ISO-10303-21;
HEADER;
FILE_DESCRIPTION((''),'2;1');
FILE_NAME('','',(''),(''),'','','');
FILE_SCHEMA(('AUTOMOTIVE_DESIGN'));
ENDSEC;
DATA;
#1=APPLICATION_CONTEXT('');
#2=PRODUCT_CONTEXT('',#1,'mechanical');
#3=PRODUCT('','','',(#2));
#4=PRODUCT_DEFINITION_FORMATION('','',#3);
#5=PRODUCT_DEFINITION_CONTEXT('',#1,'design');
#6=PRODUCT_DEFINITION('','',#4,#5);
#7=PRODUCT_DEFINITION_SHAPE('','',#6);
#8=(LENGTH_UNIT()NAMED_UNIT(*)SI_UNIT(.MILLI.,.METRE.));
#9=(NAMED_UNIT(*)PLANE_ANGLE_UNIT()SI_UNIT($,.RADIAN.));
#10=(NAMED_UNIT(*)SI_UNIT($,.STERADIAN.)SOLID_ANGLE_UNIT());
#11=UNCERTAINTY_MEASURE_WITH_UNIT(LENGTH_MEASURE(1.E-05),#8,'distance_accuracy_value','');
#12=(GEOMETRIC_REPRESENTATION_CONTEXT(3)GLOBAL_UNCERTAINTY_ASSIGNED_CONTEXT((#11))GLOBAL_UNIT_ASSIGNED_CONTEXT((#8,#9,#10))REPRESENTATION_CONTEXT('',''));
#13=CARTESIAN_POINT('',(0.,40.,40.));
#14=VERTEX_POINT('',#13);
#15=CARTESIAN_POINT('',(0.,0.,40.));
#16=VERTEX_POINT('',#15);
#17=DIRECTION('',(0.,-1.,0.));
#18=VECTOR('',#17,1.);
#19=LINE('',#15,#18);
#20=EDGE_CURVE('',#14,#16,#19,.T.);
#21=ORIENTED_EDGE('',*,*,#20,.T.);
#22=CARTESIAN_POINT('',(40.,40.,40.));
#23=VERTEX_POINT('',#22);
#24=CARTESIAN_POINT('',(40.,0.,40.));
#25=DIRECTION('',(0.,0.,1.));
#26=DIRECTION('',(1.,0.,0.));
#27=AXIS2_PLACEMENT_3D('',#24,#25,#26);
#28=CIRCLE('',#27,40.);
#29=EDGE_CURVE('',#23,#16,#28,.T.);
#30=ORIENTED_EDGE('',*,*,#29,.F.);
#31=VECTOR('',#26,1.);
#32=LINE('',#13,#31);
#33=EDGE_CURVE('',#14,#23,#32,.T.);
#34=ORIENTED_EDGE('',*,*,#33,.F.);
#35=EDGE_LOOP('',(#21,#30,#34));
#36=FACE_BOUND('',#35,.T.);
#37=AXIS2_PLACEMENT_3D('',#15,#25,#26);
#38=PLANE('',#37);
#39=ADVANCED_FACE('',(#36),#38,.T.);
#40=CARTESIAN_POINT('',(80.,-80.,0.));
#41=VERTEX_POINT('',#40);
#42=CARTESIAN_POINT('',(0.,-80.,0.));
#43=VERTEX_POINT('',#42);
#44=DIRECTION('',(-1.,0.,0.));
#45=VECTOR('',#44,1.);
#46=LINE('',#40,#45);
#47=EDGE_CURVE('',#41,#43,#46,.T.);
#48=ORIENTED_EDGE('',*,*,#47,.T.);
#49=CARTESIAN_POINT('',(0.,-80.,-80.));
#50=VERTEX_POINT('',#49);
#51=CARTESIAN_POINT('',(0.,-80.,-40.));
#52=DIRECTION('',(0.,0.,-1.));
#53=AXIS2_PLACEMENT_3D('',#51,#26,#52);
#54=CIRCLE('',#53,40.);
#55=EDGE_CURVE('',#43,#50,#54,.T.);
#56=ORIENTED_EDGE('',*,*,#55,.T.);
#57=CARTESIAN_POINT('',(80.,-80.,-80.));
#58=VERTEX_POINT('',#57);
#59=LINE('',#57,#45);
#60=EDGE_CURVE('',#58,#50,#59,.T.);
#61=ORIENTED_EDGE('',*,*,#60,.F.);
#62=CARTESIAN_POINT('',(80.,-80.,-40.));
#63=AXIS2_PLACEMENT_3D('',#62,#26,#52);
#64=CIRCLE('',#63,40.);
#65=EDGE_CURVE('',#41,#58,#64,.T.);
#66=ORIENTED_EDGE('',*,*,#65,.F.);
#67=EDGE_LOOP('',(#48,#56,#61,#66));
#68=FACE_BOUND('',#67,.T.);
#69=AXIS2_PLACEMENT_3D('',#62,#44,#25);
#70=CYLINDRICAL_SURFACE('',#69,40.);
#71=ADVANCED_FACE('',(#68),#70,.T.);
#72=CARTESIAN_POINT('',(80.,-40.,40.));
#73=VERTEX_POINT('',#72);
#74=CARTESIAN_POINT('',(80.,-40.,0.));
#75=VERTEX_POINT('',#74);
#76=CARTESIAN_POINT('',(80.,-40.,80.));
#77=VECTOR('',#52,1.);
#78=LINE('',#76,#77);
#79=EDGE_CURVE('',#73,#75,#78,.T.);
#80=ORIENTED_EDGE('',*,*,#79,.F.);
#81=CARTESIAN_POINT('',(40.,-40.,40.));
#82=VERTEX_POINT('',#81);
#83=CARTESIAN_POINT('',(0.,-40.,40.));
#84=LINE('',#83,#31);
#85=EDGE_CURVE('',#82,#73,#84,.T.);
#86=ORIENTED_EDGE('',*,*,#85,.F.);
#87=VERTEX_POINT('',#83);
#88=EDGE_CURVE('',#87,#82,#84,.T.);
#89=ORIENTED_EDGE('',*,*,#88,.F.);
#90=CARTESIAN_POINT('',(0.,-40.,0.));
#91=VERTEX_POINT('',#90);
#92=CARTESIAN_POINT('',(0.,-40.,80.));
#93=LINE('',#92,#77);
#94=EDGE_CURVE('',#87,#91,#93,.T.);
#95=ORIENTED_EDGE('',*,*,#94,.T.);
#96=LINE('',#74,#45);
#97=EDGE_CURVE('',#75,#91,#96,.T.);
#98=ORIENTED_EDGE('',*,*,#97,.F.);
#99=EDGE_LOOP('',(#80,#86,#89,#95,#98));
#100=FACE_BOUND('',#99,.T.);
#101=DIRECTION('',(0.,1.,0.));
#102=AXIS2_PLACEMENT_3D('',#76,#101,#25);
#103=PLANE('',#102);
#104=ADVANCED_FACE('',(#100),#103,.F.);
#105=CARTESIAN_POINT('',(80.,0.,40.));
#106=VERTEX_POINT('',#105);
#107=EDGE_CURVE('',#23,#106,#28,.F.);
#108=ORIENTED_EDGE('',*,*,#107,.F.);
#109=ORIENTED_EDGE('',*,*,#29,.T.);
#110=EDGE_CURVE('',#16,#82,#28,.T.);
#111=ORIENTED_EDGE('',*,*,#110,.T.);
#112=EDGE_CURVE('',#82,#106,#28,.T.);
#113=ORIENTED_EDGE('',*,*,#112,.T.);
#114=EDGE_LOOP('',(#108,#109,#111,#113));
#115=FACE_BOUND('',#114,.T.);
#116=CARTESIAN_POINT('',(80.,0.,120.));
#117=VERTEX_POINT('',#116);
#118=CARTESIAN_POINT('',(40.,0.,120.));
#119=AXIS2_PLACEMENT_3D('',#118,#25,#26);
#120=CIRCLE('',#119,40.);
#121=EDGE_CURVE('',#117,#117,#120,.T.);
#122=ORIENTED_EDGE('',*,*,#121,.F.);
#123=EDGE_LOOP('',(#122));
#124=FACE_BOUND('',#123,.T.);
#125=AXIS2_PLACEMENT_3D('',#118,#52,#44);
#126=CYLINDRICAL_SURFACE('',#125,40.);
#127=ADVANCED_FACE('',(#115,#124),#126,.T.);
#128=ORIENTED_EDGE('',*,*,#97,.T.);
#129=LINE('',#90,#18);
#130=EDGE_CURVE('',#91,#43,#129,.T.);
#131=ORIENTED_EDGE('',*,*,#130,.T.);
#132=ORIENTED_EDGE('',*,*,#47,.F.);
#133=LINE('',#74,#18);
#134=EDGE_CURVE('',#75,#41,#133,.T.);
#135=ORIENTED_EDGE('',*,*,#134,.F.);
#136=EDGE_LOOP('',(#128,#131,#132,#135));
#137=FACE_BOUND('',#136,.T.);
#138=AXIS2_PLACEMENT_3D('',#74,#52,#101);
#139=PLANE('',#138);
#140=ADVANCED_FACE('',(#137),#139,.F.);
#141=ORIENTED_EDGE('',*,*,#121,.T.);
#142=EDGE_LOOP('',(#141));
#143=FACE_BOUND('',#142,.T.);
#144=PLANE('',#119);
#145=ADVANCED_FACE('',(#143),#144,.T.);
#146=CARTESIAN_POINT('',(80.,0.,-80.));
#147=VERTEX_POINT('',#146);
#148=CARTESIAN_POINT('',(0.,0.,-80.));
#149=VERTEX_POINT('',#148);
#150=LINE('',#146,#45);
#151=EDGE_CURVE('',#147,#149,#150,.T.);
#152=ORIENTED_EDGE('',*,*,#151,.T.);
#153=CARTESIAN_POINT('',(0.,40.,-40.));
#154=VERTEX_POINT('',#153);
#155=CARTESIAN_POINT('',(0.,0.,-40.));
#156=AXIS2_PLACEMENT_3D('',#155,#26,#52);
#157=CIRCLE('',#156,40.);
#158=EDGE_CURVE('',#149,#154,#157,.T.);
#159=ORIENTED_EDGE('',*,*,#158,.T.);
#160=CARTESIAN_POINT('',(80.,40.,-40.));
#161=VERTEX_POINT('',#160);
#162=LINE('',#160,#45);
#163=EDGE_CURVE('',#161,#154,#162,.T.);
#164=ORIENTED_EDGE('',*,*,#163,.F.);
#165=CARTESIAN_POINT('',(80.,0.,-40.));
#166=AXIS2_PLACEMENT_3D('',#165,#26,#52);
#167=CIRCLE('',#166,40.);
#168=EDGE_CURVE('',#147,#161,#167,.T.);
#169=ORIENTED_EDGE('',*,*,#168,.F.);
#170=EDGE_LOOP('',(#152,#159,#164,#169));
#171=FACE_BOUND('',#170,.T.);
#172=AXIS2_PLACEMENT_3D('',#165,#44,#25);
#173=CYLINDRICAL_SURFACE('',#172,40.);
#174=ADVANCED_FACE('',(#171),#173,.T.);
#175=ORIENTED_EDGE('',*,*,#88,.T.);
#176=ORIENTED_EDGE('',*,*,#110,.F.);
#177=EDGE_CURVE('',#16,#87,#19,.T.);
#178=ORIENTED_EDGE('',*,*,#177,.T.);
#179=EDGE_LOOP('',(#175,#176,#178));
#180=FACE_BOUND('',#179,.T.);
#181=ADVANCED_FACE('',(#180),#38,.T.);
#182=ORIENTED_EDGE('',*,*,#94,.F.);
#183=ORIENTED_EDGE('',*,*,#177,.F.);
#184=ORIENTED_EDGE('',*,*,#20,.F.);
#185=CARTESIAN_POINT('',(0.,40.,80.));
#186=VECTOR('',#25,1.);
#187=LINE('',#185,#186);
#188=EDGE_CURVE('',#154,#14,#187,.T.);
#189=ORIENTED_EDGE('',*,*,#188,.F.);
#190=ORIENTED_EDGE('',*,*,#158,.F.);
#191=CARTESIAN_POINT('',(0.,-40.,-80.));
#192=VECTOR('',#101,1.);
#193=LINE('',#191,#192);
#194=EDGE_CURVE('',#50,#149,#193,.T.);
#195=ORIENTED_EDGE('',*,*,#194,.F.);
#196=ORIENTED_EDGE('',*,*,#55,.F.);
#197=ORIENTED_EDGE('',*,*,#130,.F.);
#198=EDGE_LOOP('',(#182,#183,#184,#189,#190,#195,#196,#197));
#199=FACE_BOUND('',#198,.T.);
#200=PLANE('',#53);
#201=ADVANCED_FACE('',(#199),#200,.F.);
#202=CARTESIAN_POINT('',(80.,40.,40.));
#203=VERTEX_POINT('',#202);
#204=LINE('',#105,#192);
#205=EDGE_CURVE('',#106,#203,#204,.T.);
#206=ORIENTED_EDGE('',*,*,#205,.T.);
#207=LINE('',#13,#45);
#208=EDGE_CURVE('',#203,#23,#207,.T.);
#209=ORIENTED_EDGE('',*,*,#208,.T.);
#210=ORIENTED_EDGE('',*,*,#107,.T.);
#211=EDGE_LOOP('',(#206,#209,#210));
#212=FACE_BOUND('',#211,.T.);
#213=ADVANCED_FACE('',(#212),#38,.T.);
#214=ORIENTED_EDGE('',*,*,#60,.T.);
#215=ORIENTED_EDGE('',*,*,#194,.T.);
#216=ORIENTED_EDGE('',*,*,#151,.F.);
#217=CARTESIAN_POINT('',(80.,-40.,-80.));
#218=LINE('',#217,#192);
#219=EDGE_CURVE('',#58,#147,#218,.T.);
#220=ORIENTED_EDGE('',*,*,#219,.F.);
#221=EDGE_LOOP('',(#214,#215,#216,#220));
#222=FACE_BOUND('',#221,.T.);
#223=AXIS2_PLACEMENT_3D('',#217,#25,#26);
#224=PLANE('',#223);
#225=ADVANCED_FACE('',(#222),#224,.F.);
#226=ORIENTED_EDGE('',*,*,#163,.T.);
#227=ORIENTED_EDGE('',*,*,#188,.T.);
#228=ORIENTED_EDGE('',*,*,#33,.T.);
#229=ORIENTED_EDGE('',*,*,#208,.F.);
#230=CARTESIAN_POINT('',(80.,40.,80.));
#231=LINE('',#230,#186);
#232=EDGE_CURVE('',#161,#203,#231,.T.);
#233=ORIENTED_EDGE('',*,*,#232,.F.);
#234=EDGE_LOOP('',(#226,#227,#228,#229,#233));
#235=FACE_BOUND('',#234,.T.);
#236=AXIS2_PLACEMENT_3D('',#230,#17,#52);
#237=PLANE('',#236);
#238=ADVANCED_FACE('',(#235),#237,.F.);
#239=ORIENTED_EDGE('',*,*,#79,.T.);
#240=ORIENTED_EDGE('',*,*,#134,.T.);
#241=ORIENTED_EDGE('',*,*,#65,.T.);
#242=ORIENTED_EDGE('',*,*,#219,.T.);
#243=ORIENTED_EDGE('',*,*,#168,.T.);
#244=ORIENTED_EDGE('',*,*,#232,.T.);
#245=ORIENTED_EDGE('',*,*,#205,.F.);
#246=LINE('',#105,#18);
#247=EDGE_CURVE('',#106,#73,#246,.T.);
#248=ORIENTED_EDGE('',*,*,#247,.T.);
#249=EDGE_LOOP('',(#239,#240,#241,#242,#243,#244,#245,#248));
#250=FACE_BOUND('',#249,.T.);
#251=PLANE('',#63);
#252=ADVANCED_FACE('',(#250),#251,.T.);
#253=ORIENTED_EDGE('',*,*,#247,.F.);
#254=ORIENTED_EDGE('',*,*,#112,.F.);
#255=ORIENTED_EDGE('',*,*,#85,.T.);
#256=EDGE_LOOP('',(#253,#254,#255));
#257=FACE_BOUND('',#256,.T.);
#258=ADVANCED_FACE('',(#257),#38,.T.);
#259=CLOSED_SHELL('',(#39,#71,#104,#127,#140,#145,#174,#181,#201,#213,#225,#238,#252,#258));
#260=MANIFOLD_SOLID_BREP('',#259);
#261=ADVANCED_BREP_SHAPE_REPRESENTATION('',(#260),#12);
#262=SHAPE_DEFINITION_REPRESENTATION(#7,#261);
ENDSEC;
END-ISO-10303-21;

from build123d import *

# Parameters (mm, degrees)
BOSS_EXTRUDE1_DEPTH = 80
SKETCH3_R           = 40
BOSS_EXTRUDE2_DEPTH = 40
CUT_EXTRUDE3_START  = -40
CUT_EXTRUDE3_DEPTH  = 40


with BuildPart() as part:
    # Sketch2 → Boss-Extrude1 (new body)
    with BuildSketch(Plane(origin=(0, 0, 0), x_dir=(0, 0, -1), z_dir=(1, 0, 0))):
        with BuildLine():
            Line((-80, -40), (0, -40))
            Line((0, -40), (0, -80))
            ThreePointArc((0, -80), (40, -120), (80, -80))
            Line((80, -80), (80, -40))
            Line((80, -40), (80, 0))
            ThreePointArc((80, 0), (68.284271247, 28.284271247), (40, 40))
            Line((40, 40), (-80, 40))
            Line((-80, 40), (-80, -40))
        make_face()
    extrude(amount=BOSS_EXTRUDE1_DEPTH)

    # Sketch3 → Boss-Extrude2 (add)
    with BuildSketch(Plane.XY.offset(80)):
        with Locations((40, 0)):
            Circle(SKETCH3_R)
    extrude(amount=BOSS_EXTRUDE2_DEPTH)

    # Sketch5 → Cut-Extrude3 (cut)
    with BuildSketch(Plane.XY.offset(80).offset(CUT_EXTRUDE3_START)):
        with BuildLine():
            Line((40, 40), (0, 40))
            Line((0, 40), (0, 0))
            ThreePointArc((0, 0), (11.715728753, 28.284271247), (40, 40))
        make_face()
        with BuildLine():
            Line((80, 40), (40, 40))
            ThreePointArc((40, 40), (68.284271247, 28.284271247), (80, 0))
            Line((80, 0), (80, 40))
        make_face()
        with BuildLine():
            ThreePointArc((40, -40), (11.715728753, -28.284271247), (0, 0))
            Line((0, 0), (0, -40))
            Line((0, -40), (40, -40))
        make_face()
        with BuildLine():
            Line((80, -40), (80, 0))
            ThreePointArc((80, 0), (68.284271247, -28.284271247), (40, -40))
            Line((40, -40), (80, -40))
        make_face()
    extrude(amount=CUT_EXTRUDE3_DEPTH, mode=Mode.SUBTRACT)


solid = part.part
